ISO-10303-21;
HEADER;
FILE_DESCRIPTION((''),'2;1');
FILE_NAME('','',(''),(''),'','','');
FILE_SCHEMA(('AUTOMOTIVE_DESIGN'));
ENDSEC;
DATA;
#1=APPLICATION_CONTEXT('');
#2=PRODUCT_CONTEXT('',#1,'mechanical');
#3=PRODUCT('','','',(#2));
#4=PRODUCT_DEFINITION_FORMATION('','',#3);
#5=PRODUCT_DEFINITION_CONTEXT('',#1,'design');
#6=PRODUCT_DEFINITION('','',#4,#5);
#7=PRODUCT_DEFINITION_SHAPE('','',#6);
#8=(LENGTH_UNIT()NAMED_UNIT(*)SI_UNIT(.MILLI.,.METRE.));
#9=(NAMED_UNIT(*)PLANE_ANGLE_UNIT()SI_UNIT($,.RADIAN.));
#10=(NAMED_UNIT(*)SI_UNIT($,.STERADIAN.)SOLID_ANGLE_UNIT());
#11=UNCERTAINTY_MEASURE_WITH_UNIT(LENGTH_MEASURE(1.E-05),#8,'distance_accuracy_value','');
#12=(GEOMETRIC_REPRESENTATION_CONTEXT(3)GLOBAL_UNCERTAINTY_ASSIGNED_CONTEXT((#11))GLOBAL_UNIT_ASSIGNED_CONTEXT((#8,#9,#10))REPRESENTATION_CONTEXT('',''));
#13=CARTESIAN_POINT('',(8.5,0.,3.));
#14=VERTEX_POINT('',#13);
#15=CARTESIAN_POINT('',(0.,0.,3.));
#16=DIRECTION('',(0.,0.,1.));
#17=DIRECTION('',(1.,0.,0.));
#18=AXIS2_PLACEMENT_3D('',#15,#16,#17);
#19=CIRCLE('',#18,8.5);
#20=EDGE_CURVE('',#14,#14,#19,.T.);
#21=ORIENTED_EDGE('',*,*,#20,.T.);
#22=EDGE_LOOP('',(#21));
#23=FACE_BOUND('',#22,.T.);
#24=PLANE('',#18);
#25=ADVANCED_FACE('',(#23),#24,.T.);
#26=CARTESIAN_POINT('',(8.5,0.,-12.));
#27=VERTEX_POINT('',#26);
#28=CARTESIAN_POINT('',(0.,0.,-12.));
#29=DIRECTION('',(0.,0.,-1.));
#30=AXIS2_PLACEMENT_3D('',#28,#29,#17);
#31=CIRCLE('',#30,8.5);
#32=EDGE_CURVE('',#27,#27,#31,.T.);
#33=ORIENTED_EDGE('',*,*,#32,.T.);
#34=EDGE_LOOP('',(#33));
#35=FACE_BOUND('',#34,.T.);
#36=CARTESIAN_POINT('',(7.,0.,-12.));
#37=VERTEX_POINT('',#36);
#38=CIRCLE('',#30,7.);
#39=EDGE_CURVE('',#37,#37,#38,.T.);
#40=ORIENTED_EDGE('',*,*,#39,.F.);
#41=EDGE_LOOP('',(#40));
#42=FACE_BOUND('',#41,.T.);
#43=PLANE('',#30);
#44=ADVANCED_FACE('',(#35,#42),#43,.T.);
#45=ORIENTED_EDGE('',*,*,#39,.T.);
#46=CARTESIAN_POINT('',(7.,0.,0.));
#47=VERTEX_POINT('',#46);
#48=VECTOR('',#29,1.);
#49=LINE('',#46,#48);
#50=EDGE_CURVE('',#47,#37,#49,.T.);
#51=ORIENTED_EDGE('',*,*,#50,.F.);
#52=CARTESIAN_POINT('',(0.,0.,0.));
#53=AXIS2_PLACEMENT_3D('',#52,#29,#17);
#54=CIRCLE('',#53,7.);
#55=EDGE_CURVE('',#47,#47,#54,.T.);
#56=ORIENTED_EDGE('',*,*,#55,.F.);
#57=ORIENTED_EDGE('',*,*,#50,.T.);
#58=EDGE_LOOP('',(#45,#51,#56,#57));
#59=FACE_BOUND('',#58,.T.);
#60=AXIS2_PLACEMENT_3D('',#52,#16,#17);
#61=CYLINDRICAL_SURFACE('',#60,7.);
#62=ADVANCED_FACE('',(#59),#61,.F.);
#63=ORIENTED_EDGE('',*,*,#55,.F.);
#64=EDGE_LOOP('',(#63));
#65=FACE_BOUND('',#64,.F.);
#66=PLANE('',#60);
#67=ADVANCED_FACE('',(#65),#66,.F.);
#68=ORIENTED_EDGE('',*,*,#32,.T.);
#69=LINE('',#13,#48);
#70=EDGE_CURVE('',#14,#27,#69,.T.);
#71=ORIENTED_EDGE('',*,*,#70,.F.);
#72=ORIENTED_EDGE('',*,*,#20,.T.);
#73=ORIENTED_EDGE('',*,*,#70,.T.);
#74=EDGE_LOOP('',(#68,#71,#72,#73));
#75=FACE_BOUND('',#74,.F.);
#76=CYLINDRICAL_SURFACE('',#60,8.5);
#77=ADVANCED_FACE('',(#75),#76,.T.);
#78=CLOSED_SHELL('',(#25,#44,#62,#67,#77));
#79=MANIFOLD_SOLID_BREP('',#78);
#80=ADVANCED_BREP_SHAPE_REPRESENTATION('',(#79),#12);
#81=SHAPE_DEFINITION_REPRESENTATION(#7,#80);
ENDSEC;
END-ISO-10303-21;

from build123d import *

# Parameters (mm, degrees)
F0_R     = 8.5
F1_DEPTH = 3
F2_R     = 8.5
F2_R_2   = 7
F3_DEPTH = 12


with BuildPart() as f1:
    # F0 (on Top) → F1 (new body)
    with BuildSketch(Plane.XY):
        Circle(F0_R)
    extrude(amount=F1_DEPTH)

    # F2 (on face) → F3 (join)
    with BuildSketch(Plane(origin=(0, 0, 0), x_dir=(1, 0, 0), z_dir=(0, 0, -1))):
        Circle(F2_R)
        Circle(F2_R_2, mode=Mode.SUBTRACT)
    extrude(amount=F3_DEPTH)


solid = f1.part
